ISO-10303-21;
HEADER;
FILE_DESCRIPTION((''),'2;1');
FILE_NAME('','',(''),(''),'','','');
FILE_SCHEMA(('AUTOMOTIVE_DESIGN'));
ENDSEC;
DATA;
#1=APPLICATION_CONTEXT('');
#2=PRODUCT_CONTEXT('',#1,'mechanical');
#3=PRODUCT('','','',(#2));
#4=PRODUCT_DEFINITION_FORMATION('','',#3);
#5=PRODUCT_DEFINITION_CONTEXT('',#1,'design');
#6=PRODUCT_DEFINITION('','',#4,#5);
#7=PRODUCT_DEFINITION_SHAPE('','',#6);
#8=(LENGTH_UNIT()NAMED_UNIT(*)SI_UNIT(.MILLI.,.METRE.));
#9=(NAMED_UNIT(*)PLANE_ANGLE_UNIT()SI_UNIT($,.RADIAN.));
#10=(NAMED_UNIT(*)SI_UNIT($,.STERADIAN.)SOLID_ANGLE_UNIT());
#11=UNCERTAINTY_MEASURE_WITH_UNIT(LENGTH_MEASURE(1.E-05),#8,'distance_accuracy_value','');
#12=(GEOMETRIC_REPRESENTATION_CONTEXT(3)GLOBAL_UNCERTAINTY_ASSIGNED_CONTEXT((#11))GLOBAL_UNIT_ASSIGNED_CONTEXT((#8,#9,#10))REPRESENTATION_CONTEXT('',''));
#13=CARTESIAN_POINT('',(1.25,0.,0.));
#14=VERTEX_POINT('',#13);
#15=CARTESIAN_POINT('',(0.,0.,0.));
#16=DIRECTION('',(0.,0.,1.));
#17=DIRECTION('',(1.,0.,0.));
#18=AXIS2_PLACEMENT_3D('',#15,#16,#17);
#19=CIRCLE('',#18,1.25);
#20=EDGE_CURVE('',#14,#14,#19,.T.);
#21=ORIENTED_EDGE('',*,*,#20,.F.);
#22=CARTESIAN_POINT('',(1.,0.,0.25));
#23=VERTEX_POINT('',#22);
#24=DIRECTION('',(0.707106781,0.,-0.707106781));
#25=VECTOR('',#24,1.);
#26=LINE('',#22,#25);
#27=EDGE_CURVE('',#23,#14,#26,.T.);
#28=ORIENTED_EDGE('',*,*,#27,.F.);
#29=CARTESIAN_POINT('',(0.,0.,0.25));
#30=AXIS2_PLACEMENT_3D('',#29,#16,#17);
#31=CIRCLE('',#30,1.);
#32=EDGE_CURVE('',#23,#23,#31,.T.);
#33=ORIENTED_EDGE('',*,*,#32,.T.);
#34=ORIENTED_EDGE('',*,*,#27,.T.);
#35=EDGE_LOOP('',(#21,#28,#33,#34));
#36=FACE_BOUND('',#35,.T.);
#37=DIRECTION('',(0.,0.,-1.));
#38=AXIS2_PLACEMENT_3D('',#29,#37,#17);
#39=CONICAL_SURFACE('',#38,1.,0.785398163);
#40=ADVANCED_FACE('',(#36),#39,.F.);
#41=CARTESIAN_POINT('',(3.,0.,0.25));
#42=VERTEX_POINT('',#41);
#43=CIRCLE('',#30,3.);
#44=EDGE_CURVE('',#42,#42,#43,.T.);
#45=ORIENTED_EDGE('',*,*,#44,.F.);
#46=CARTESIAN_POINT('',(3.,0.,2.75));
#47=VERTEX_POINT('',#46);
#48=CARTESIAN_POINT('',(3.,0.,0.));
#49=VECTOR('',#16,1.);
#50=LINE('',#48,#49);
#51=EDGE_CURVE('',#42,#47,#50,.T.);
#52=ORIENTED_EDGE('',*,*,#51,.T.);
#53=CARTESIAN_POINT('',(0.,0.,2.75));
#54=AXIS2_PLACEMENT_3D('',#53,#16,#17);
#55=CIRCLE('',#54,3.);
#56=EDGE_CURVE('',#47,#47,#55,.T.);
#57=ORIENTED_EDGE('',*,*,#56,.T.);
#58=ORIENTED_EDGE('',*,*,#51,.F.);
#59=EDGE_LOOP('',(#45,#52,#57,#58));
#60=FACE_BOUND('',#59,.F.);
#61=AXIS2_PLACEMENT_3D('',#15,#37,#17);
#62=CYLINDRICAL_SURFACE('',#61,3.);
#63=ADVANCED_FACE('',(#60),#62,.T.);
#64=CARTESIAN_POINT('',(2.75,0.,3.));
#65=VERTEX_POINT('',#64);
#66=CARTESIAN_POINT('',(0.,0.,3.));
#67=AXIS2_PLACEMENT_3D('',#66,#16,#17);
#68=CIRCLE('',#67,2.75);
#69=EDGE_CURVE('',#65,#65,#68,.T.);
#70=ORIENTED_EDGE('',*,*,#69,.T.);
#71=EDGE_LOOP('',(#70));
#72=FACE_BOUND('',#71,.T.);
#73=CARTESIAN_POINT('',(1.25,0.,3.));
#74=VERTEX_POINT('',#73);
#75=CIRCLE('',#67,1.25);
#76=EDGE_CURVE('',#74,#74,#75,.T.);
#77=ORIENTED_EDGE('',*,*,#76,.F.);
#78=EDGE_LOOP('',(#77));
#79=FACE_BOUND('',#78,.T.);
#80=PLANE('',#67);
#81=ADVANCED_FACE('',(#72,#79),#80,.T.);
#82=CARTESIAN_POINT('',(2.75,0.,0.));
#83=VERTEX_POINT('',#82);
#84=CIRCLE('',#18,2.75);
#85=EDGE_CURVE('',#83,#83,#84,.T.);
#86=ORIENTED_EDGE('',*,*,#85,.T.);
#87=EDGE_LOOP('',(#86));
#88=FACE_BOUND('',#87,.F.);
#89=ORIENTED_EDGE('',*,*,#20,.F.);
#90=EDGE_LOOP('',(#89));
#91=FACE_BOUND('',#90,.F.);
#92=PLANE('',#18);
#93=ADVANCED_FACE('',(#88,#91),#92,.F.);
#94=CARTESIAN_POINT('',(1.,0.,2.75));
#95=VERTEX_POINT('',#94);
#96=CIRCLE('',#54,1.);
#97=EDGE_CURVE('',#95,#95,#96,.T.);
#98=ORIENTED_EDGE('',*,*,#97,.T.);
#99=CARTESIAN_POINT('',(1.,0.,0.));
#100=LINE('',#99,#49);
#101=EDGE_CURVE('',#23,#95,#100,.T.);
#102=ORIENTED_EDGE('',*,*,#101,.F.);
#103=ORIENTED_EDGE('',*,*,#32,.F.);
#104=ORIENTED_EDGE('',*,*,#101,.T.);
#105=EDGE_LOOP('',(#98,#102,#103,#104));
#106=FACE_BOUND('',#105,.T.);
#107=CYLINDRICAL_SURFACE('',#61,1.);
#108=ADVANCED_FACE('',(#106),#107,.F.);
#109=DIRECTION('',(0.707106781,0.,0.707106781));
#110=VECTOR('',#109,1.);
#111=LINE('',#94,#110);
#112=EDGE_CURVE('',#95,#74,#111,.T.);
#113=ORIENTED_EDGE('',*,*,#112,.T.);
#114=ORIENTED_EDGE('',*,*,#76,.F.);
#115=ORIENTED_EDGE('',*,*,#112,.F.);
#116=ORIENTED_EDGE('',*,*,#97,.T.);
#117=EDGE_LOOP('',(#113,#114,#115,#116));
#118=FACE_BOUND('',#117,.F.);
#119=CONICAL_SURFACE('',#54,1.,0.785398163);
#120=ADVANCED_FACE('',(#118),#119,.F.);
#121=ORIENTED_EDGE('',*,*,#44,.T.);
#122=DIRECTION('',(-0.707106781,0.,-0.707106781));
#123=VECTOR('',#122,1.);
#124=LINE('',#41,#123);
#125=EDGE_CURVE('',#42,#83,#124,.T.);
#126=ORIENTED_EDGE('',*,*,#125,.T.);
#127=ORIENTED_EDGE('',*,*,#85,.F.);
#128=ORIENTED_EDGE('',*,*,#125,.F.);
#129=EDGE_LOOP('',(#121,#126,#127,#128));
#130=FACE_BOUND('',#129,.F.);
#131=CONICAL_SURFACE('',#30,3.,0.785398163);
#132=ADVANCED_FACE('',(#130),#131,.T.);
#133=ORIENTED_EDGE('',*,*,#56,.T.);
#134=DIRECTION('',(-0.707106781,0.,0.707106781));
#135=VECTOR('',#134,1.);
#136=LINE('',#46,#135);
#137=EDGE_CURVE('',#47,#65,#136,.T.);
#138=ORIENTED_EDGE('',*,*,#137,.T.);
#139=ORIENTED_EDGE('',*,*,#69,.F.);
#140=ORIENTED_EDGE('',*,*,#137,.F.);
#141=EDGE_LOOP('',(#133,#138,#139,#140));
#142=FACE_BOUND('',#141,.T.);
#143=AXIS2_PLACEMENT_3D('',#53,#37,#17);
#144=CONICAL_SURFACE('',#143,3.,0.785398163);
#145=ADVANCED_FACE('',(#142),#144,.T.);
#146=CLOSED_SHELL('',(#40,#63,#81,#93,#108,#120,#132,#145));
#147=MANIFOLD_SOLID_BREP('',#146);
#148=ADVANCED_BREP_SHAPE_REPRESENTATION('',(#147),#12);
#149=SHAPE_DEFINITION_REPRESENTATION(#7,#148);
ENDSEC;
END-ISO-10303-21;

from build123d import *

# Parameters (mm, degrees)
SKETCH1_R           = 3
SKETCH1_R_2         = 1
EXTRUDE_THIN1_DEPTH = 3
CHAMFER1_SIZE       = 0.25


with BuildPart() as part:
    # Sketch1 → Extrude-Thin1 (new body)
    with BuildSketch(Plane.XY):
        Circle(SKETCH1_R)
        Circle(SKETCH1_R_2, mode=Mode.SUBTRACT)
    extrude(amount=EXTRUDE_THIN1_DEPTH)

    # Chamfer1
    chamfer1_edges = [part.edges().sort_by_distance(p)[0] for p in [
        (-3, 0, 0),
        (-1, 0, 0),
        (-3, 0, 3),
        (-1, 0, 3),
    ]]
    chamfer(chamfer1_edges, length=CHAMFER1_SIZE)


solid = part.part
